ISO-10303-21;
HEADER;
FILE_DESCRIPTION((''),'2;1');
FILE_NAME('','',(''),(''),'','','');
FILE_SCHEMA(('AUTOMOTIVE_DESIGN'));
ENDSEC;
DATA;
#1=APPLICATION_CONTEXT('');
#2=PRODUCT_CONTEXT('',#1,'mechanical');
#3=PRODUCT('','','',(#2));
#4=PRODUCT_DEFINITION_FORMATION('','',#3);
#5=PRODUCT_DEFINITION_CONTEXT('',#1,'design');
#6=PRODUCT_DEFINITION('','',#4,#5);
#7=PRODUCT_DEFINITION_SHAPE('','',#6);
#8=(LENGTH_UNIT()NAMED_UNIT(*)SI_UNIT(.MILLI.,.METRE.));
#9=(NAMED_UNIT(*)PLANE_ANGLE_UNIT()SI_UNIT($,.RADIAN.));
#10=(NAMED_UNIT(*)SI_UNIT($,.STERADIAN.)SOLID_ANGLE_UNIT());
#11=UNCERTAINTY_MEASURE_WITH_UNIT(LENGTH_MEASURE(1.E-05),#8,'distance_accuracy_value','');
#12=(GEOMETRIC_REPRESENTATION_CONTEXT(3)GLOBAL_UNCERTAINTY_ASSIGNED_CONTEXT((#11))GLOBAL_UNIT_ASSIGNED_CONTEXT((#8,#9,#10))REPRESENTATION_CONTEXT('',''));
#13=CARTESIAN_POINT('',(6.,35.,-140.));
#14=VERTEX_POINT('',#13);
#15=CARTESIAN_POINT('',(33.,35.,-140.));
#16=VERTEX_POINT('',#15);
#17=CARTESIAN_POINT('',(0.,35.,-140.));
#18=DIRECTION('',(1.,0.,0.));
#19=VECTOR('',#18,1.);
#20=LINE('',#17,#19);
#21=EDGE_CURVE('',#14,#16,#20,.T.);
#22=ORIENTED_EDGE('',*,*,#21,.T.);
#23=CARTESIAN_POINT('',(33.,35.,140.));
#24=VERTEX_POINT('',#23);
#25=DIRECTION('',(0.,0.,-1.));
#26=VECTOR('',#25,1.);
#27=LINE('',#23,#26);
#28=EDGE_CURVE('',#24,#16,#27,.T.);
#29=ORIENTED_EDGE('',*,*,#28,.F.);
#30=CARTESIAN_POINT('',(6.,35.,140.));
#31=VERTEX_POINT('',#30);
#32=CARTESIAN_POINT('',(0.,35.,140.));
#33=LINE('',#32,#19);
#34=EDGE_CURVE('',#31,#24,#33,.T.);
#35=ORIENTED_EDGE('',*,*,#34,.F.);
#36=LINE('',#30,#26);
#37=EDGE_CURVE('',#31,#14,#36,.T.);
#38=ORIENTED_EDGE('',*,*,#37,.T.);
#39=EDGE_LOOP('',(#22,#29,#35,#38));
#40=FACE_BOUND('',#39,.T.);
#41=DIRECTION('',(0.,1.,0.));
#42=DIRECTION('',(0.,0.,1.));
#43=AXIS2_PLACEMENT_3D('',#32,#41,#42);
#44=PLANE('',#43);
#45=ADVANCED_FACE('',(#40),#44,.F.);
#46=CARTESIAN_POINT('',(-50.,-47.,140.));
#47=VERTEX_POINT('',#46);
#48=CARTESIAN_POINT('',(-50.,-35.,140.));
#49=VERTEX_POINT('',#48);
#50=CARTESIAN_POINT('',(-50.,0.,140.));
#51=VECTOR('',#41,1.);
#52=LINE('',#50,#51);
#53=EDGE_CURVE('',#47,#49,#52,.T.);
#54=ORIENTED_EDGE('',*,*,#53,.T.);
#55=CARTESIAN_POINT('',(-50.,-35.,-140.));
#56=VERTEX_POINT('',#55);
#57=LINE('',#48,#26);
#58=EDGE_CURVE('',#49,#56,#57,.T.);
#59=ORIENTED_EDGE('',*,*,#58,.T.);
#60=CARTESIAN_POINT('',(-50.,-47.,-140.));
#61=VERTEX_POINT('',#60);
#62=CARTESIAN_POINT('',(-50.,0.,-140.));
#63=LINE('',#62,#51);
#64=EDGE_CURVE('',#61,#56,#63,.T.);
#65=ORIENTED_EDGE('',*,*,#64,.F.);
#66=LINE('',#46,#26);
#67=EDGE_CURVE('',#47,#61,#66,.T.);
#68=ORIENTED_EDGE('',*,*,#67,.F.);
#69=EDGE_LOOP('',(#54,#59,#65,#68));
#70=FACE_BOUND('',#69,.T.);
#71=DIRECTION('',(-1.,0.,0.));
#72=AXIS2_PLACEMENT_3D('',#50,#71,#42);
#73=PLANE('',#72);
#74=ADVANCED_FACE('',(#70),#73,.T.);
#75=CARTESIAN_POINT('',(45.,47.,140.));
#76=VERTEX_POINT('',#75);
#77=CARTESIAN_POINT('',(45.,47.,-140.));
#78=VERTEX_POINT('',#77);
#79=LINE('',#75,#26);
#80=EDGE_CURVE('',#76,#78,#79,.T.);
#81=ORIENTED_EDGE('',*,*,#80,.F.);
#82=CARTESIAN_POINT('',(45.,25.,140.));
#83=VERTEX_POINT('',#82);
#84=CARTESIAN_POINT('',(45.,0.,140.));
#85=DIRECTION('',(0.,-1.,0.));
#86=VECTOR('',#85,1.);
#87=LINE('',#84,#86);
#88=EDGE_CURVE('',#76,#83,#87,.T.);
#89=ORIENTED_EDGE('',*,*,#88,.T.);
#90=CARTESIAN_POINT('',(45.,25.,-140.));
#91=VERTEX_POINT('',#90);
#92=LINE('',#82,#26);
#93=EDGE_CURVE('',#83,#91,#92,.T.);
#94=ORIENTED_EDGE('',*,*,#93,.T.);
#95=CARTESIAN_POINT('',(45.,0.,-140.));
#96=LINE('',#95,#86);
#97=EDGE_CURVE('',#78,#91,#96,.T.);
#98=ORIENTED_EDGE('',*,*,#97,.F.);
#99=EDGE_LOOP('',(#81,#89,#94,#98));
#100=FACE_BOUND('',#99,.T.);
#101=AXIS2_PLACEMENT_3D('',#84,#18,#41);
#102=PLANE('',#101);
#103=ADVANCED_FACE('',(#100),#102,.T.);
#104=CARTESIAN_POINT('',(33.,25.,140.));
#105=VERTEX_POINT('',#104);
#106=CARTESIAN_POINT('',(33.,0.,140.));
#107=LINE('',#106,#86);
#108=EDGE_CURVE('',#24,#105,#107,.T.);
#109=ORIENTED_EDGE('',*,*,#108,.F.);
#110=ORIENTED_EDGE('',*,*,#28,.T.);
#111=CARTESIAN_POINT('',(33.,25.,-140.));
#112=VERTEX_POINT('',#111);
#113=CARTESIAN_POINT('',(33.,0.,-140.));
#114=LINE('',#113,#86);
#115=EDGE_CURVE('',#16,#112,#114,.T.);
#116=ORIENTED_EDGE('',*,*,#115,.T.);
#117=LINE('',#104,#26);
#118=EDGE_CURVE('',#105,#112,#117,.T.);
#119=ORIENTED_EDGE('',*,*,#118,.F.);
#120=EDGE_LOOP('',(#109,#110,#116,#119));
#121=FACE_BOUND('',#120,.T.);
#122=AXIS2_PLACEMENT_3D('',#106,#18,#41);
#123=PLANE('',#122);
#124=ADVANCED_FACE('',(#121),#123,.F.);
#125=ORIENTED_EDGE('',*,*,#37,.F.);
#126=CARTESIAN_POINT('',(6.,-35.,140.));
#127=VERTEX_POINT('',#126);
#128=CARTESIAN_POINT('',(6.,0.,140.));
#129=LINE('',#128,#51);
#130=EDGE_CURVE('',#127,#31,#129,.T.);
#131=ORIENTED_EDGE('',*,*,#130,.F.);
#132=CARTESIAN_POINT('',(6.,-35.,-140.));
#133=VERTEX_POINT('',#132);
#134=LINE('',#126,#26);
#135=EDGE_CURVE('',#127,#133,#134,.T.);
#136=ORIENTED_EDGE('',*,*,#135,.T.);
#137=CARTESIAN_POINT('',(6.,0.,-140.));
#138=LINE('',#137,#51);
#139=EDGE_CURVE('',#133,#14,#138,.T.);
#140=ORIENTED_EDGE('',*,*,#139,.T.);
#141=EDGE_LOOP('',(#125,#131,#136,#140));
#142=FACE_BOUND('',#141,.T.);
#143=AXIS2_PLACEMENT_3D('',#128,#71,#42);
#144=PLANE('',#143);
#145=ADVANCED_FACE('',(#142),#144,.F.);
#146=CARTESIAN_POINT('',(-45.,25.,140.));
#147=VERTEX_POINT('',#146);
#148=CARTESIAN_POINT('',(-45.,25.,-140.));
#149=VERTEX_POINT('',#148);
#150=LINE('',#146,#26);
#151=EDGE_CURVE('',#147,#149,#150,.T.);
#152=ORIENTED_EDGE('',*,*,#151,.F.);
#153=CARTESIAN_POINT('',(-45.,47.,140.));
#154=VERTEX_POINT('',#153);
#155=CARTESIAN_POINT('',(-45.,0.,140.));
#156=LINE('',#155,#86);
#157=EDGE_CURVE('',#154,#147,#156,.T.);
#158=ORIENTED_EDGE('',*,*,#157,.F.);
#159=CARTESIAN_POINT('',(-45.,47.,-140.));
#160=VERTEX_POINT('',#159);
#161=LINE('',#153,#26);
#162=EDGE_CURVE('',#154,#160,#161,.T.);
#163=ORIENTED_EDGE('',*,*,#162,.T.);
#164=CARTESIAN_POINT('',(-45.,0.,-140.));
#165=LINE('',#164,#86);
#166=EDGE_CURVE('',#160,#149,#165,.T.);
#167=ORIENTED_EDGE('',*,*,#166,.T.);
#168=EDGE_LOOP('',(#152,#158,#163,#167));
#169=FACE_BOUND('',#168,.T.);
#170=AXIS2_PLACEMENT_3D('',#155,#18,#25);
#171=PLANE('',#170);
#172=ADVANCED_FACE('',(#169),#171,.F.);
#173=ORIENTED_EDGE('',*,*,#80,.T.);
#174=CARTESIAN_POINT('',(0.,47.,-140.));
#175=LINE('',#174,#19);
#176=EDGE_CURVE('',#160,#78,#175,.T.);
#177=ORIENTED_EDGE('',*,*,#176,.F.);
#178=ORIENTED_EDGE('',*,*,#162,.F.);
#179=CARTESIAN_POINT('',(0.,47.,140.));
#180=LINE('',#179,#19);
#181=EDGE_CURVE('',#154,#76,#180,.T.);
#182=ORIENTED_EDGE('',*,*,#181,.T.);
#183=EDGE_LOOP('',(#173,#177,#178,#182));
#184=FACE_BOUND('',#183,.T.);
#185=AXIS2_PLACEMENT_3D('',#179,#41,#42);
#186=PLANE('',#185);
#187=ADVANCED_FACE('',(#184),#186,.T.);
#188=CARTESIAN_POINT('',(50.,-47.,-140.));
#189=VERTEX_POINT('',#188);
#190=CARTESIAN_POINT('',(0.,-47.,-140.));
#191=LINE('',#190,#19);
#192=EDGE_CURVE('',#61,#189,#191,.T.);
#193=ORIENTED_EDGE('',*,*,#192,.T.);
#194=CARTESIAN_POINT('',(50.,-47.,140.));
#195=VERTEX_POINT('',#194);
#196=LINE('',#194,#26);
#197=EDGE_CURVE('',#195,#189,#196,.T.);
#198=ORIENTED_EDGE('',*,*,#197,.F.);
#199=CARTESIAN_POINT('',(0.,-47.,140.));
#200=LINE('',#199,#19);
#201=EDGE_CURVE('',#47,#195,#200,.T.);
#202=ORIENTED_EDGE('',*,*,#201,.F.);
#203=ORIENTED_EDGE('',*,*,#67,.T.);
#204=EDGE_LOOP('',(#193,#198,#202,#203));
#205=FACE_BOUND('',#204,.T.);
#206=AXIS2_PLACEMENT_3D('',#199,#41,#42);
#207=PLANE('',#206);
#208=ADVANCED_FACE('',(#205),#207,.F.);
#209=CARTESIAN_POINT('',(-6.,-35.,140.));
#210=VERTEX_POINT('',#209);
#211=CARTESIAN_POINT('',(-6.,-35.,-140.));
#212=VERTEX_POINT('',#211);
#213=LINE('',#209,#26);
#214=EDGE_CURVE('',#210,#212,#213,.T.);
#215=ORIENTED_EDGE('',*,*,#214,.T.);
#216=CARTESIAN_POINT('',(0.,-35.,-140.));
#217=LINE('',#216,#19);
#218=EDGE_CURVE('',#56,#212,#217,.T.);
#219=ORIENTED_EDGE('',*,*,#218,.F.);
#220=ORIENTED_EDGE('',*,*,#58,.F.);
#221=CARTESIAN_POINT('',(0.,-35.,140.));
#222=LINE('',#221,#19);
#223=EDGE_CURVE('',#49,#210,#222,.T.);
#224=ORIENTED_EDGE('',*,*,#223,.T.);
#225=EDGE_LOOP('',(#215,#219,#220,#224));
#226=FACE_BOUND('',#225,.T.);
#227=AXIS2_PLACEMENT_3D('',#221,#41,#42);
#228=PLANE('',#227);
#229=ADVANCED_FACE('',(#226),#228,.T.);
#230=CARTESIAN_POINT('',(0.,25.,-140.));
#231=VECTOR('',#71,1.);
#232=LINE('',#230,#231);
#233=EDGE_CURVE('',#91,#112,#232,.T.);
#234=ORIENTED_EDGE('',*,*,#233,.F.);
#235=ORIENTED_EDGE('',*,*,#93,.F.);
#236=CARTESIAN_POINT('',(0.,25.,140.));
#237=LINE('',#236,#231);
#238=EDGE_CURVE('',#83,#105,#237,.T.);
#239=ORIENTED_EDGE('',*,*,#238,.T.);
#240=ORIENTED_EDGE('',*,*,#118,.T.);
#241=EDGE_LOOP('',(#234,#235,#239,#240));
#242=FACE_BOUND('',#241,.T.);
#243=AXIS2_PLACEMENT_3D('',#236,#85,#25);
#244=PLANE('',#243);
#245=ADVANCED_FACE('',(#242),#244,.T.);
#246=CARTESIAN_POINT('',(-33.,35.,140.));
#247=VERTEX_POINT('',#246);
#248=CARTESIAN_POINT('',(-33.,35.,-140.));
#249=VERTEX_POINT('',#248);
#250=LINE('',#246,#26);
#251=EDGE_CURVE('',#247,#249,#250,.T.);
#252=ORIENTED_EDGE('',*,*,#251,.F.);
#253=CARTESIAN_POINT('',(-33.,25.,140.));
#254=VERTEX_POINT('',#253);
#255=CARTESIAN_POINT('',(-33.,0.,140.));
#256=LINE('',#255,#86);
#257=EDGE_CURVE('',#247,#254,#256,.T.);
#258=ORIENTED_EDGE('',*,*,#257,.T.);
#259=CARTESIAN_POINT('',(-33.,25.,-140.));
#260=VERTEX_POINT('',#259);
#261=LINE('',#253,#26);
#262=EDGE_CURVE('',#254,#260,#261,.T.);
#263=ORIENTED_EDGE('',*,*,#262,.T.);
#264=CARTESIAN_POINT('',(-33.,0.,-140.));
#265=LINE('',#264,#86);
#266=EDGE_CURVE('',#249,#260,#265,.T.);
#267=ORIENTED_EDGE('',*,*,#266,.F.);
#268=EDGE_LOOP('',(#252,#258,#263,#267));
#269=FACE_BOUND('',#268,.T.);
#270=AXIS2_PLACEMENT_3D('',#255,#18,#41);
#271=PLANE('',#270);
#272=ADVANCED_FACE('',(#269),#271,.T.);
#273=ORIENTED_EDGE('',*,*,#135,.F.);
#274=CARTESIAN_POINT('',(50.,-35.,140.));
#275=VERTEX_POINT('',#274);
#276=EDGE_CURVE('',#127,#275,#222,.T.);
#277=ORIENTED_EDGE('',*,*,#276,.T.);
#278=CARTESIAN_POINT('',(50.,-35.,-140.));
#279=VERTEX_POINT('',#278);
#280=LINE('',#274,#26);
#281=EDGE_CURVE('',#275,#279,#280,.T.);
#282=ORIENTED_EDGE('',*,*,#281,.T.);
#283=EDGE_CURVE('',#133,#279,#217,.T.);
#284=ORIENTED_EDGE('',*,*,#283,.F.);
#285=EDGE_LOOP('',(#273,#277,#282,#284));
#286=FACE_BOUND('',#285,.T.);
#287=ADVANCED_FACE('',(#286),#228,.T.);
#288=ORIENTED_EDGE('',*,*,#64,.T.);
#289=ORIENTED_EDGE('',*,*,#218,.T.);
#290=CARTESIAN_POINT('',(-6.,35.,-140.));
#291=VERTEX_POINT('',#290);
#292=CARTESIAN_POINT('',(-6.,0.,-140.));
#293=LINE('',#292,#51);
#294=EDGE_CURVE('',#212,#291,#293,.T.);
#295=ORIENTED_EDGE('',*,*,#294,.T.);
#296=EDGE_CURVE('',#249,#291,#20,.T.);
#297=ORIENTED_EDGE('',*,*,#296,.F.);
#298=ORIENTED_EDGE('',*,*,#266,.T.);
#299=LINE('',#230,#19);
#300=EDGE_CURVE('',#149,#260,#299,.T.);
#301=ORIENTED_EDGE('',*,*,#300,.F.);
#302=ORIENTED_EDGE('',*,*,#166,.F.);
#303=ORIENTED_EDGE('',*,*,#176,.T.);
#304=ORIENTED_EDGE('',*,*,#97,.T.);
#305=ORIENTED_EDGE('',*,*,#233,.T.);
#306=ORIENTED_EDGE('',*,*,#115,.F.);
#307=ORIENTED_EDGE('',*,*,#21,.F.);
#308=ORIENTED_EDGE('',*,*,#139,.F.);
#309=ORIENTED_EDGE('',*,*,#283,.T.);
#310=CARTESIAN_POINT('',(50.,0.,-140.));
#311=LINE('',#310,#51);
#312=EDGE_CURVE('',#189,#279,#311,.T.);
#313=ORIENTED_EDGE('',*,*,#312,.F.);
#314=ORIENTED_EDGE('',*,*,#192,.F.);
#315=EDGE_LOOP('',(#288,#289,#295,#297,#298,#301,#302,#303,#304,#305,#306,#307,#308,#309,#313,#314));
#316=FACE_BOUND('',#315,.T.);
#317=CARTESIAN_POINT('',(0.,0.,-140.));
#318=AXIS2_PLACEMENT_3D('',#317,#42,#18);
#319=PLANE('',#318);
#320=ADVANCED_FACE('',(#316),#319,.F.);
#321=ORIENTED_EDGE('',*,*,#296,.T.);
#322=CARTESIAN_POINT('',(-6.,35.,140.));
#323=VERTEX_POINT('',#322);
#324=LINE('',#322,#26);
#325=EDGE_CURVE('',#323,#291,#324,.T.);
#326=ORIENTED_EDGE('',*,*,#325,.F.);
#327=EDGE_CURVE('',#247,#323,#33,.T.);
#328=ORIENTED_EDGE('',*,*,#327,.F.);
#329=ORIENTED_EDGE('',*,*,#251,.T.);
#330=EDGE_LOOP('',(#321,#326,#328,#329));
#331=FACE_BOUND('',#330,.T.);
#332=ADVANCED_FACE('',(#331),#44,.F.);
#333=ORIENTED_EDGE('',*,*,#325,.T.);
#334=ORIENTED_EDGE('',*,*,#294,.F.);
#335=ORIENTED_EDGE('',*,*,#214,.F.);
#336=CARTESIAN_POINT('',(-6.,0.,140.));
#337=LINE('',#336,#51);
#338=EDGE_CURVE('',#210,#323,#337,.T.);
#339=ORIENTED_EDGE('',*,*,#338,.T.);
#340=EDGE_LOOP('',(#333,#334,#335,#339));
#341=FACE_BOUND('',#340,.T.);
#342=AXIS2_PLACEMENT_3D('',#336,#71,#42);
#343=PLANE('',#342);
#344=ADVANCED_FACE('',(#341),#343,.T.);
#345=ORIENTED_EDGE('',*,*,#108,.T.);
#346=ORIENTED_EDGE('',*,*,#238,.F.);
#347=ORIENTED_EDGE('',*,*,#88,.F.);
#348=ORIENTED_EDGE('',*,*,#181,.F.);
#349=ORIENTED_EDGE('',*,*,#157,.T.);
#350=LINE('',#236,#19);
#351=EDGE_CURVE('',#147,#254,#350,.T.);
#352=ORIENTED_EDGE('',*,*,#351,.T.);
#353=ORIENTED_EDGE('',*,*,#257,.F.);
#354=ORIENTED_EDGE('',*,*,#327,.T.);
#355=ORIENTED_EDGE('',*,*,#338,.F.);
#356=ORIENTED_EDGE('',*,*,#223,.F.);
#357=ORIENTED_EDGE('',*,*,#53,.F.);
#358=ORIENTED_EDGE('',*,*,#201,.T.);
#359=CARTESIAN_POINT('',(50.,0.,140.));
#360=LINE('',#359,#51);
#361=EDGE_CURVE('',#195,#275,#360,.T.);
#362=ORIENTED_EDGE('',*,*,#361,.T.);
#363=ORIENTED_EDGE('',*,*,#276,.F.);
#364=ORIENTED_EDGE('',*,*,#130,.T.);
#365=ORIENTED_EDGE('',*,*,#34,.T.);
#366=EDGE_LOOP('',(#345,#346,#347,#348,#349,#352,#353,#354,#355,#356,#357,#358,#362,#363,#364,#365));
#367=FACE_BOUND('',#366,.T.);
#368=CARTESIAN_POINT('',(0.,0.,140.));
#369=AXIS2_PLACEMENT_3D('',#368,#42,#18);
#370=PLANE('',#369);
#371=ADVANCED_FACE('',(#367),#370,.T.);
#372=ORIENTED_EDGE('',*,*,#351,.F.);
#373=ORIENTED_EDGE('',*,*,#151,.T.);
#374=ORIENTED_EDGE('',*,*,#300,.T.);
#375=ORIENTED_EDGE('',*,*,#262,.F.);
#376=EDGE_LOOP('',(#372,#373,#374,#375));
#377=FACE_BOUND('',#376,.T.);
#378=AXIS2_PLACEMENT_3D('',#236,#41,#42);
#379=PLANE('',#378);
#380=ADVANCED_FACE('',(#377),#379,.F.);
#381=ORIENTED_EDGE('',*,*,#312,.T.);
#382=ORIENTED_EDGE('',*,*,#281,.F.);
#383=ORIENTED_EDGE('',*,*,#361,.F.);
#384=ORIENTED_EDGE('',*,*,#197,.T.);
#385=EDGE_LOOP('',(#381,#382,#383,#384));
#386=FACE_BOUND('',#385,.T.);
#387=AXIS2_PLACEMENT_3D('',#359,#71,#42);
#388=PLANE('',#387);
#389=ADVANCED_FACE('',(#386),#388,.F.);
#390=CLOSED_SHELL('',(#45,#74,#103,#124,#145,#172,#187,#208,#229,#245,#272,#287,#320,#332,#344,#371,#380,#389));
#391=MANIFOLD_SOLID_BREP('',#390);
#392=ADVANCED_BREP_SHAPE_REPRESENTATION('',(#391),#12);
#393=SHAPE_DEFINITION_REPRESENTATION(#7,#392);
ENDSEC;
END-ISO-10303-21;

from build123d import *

# Parameters (mm, degrees)
SKETCH_1_W      = 12
SKETCH_1_H      = 70
SKETCH_1_H_2    = 10
EXTRUDE_1_DEPTH = 140


with BuildPart() as part:
    # Эскиз1 → Бобышка-Вытянуть1 (new, symmetric)
    with BuildSketch(Plane.XY):
        Polygon((-33, 35), (-6, 35), (6, 35), (33, 35), (45, 35), (45, 47), (-45, 47), (-45, 35), align=None)
        Rectangle(SKETCH_1_W, SKETCH_1_H)
        Polygon((6, -35), (-6, -35), (-50, -35), (-50, -47), (50, -47), (50, -35), align=None)
        with Locations((39, 30)):
            Rectangle(SKETCH_1_W, SKETCH_1_H_2)
        with Locations((-39, 30)):
            Rectangle(SKETCH_1_W, SKETCH_1_H_2)
    extrude(amount=EXTRUDE_1_DEPTH, both=True)


solid = part.part
